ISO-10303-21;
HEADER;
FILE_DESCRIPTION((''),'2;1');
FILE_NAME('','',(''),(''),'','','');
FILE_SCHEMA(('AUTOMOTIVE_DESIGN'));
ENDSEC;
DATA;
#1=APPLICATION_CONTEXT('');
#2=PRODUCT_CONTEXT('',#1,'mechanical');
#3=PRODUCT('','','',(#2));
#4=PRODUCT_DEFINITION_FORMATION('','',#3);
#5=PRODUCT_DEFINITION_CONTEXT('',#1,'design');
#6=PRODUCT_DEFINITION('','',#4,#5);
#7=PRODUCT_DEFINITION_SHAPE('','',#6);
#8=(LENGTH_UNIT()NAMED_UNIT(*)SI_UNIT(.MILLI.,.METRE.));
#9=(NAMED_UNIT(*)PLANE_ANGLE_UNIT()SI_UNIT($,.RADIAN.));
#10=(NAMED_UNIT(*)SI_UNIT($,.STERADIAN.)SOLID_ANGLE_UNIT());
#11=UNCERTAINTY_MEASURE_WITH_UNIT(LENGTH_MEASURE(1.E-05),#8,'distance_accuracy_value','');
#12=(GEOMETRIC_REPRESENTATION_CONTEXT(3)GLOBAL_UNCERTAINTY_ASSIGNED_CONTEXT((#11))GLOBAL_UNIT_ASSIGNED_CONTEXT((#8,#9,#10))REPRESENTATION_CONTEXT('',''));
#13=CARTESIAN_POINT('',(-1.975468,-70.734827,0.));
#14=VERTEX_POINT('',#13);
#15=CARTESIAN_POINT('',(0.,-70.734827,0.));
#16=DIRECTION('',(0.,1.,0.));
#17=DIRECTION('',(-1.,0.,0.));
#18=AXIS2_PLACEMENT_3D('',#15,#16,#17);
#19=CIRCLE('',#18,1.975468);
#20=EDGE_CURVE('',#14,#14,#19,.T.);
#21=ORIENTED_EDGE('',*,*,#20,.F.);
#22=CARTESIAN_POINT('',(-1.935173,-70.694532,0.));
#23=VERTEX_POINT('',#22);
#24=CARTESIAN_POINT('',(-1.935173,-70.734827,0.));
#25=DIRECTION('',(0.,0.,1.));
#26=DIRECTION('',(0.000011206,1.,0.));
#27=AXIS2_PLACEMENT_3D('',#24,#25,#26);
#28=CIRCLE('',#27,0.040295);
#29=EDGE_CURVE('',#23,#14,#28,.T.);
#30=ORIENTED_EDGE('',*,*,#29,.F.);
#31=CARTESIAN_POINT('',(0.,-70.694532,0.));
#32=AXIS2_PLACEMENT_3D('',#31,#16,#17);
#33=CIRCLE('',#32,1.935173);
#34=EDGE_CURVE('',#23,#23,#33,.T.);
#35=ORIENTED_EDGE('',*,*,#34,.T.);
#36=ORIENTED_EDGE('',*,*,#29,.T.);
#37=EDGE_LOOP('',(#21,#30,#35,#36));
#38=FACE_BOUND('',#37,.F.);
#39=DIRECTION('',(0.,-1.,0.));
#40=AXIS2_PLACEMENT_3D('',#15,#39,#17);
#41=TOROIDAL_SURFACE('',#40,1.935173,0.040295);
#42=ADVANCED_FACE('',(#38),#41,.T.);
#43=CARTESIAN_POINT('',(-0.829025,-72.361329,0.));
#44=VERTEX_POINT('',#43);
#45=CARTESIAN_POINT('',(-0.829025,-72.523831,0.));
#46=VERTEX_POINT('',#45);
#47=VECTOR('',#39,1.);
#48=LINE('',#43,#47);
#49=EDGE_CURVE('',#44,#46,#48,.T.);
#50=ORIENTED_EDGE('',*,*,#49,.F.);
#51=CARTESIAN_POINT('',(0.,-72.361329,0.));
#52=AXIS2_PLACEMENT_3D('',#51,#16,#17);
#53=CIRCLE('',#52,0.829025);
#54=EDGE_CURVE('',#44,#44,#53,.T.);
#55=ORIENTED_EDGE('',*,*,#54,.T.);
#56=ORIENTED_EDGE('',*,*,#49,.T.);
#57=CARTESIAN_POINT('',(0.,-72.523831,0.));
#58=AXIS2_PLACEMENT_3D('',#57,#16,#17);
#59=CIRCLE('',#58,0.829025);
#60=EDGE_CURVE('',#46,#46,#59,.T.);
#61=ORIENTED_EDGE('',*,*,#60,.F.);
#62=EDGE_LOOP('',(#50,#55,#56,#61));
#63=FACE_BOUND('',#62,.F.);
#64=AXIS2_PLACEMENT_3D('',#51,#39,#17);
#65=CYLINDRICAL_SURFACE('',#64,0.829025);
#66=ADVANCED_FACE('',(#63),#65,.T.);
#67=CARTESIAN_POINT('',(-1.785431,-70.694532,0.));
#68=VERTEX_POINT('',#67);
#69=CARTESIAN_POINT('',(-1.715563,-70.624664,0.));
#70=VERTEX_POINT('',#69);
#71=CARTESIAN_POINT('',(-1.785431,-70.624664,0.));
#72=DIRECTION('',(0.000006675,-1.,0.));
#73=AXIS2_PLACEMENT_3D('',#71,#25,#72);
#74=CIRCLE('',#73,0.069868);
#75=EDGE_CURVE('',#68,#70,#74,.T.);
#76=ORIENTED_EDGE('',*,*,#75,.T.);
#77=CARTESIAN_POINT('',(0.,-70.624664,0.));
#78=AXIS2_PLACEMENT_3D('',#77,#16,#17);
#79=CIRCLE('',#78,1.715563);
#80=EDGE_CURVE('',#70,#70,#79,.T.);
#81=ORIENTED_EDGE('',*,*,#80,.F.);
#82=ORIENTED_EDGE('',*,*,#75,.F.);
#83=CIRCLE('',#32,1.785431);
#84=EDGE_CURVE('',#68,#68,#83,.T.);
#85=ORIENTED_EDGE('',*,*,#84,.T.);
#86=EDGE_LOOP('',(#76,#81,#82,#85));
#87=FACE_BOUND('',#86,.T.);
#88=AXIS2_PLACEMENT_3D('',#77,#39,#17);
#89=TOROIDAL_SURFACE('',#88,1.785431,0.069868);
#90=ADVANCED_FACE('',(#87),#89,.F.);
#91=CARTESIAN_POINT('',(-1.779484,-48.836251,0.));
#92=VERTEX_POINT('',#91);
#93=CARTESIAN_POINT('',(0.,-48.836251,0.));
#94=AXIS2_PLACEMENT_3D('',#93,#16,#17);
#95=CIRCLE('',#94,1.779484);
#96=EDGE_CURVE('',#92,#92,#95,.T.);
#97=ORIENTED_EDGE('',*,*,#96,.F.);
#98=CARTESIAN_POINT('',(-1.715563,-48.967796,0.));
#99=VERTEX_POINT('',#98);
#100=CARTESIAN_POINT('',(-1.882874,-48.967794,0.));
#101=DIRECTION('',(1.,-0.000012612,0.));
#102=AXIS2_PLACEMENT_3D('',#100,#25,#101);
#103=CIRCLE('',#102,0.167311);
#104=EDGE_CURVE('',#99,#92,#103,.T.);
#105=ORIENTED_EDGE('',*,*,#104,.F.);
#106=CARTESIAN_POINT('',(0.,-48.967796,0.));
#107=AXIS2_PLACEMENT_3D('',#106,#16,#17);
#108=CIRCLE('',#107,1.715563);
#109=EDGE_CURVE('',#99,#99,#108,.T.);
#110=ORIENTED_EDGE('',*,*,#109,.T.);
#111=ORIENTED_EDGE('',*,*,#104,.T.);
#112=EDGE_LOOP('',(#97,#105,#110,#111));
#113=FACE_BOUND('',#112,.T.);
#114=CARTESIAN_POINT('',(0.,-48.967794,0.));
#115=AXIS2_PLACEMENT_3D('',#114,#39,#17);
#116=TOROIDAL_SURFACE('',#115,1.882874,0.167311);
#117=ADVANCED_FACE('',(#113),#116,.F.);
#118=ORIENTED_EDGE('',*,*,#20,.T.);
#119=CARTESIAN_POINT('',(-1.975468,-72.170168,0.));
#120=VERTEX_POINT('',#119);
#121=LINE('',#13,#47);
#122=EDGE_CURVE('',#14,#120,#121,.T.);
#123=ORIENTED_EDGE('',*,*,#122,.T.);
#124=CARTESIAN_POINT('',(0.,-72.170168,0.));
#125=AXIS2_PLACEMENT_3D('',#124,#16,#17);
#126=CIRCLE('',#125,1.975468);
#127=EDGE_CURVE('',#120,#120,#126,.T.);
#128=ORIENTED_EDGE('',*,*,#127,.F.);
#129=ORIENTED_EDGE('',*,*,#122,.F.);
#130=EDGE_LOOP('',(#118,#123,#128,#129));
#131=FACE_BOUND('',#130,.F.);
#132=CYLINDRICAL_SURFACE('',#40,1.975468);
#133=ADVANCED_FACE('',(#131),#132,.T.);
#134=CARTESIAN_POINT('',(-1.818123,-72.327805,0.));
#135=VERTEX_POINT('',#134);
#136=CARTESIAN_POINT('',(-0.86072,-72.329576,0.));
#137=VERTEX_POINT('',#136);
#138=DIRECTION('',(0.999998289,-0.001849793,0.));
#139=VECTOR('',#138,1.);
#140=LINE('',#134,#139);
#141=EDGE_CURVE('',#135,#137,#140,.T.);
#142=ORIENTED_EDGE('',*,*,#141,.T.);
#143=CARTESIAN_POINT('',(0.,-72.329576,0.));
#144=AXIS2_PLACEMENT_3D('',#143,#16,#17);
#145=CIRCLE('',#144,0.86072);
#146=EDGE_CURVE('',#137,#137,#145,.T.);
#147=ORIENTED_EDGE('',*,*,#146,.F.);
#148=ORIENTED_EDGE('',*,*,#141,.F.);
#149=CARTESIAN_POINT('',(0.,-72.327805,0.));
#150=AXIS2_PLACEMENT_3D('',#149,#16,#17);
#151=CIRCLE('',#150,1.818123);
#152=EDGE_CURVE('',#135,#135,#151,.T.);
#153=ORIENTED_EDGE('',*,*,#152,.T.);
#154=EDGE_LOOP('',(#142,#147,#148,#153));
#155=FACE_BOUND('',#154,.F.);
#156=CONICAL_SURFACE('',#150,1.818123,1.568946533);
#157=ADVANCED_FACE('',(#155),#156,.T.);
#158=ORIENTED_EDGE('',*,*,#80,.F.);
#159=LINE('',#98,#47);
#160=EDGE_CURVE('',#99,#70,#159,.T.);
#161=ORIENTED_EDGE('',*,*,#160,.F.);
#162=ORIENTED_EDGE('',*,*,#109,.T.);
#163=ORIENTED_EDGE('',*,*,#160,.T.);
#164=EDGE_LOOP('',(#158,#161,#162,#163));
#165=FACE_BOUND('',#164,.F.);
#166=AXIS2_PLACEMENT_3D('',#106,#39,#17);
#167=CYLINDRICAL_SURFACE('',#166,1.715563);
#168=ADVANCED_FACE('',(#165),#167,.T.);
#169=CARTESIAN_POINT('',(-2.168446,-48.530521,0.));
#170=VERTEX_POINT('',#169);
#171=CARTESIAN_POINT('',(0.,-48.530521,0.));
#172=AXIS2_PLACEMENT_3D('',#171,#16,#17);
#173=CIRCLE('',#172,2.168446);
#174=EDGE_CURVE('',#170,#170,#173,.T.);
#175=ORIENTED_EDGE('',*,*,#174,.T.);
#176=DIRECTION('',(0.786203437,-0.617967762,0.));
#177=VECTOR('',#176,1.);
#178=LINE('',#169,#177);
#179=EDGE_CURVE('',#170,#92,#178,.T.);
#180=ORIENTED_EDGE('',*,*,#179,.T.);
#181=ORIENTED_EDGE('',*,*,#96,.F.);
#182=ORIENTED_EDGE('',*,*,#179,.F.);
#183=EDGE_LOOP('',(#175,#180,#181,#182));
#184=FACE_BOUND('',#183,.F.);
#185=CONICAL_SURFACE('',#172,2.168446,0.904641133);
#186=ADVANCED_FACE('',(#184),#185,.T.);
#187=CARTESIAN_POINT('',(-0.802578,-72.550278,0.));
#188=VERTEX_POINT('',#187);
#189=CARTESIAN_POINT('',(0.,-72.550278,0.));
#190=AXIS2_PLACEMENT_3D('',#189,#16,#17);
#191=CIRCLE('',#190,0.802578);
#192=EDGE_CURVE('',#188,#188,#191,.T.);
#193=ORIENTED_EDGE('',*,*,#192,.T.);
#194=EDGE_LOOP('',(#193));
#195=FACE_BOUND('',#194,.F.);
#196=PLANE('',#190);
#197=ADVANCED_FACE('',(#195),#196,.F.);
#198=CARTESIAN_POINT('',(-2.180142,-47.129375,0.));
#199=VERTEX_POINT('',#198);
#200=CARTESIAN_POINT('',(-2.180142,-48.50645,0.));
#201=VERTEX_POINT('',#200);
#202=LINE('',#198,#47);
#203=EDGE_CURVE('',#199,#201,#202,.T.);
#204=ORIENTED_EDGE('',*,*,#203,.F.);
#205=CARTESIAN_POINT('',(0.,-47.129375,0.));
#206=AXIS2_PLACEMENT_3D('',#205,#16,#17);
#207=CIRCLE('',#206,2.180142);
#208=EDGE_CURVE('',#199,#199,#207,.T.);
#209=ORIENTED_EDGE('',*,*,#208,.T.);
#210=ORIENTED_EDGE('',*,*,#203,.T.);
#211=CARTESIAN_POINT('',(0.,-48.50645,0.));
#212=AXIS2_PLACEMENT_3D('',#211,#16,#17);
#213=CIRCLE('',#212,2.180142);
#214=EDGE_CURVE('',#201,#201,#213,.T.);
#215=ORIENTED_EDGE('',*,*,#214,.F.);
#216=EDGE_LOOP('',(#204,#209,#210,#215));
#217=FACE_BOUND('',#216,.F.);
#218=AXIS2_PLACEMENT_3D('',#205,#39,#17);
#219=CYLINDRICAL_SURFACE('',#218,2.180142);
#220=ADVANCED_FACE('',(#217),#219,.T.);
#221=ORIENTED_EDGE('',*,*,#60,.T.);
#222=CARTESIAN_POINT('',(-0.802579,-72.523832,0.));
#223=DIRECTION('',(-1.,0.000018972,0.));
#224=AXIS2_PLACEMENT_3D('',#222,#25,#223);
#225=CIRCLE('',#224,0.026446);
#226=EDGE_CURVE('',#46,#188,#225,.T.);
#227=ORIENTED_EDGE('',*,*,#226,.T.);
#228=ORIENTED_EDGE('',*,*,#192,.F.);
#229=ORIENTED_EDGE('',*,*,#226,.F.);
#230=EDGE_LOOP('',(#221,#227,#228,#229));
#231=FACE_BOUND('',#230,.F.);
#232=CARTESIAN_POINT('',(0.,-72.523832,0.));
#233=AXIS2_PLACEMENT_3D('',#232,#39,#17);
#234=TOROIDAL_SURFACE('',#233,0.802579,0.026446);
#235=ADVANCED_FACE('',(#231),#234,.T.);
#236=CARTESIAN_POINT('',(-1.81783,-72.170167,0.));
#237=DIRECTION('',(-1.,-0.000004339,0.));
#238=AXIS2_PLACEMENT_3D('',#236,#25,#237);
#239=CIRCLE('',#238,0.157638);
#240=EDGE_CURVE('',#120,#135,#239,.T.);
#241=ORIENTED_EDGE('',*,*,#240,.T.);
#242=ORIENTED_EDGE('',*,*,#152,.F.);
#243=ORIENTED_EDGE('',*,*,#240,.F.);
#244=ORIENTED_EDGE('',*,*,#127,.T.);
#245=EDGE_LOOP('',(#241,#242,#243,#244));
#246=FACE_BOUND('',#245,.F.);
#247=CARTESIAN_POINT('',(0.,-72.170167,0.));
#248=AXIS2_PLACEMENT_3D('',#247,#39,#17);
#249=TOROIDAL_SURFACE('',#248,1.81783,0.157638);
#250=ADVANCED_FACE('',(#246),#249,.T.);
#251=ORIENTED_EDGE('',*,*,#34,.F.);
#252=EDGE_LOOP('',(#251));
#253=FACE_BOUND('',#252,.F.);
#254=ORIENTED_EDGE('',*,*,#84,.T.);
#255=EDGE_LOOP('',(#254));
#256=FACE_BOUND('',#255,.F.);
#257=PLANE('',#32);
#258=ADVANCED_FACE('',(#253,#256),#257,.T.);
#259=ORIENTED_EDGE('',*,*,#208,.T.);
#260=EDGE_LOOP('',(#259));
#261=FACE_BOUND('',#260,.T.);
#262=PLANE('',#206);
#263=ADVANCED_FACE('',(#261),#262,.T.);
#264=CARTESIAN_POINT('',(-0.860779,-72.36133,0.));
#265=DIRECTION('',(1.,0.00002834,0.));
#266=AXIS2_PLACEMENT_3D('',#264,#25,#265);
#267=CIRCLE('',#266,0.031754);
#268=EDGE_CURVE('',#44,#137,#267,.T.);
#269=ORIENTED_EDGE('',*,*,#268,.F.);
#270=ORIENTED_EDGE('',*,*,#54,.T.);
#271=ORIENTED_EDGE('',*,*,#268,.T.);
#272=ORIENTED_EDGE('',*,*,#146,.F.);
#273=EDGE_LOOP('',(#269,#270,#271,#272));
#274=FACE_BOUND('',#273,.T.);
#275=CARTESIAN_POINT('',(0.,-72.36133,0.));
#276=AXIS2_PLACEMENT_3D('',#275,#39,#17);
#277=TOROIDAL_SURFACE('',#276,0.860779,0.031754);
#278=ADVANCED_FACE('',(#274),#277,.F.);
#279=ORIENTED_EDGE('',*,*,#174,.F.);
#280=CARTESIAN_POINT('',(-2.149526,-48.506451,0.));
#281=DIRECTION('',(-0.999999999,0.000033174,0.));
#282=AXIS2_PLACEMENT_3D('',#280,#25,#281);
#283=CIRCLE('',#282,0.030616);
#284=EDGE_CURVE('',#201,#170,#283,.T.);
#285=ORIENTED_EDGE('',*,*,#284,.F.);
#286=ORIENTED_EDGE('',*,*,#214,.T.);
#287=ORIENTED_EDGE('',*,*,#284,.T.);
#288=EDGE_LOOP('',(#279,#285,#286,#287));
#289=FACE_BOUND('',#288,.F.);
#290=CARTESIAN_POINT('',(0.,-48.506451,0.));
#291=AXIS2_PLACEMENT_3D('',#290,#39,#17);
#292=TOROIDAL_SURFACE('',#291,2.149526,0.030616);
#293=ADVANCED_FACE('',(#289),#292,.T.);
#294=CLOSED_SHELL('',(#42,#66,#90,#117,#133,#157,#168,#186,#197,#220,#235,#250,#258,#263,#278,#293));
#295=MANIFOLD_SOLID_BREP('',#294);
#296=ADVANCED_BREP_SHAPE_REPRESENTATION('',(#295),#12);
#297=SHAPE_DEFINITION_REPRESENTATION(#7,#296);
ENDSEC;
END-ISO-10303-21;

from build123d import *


with BuildPart() as part:
    # Sketch → Revolution (revolve)
    with BuildSketch(Plane.XY):
        with BuildLine():
            Line((-2.180142, -47.129375), (-2.180142, -48.50645))
            ThreePointArc((-2.180142, -48.50645), (-2.177063, -48.519832), (-2.168446, -48.530521))
            Line((-2.168446, -48.530521), (-1.779484, -48.836251))
            ThreePointArc((-1.715563, -48.967796), (-1.732389, -48.894669), (-1.779484, -48.836251))
            Line((-1.715563, -48.967796), (-1.715563, -70.624664))
            ThreePointArc((-1.785431, -70.694532), (-1.736027, -70.674068), (-1.715563, -70.624664))
            Line((-1.785431, -70.694532), (-1.935173, -70.694532))
            ThreePointArc((-1.935173, -70.694532), (-1.963666, -70.706334), (-1.975468, -70.734827))
            Line((-1.975468, -70.734827), (-1.975468, -72.170168))
            ThreePointArc((-1.975468, -72.170168), (-1.9294, -72.281531), (-1.818123, -72.327805))
            Line((-1.818123, -72.327805), (-0.86072, -72.329576))
            ThreePointArc((-0.829025, -72.361329), (-0.838305, -72.338897), (-0.86072, -72.329576))
            Line((-0.829025, -72.361329), (-0.829025, -72.523831))
            ThreePointArc((-0.829025, -72.523831), (-0.821279, -72.542532), (-0.802578, -72.550278))
            Line((-0.802578, -72.550278), (0, -72.550278))
            Line((0, -72.550278), (0, -47.129375))
            Line((-2.180142, -47.129375), (0, -47.129375))
        make_face()
    revolve(axis=Axis((0, 0, 0), (0, 1, 0)))


solid = part.part
